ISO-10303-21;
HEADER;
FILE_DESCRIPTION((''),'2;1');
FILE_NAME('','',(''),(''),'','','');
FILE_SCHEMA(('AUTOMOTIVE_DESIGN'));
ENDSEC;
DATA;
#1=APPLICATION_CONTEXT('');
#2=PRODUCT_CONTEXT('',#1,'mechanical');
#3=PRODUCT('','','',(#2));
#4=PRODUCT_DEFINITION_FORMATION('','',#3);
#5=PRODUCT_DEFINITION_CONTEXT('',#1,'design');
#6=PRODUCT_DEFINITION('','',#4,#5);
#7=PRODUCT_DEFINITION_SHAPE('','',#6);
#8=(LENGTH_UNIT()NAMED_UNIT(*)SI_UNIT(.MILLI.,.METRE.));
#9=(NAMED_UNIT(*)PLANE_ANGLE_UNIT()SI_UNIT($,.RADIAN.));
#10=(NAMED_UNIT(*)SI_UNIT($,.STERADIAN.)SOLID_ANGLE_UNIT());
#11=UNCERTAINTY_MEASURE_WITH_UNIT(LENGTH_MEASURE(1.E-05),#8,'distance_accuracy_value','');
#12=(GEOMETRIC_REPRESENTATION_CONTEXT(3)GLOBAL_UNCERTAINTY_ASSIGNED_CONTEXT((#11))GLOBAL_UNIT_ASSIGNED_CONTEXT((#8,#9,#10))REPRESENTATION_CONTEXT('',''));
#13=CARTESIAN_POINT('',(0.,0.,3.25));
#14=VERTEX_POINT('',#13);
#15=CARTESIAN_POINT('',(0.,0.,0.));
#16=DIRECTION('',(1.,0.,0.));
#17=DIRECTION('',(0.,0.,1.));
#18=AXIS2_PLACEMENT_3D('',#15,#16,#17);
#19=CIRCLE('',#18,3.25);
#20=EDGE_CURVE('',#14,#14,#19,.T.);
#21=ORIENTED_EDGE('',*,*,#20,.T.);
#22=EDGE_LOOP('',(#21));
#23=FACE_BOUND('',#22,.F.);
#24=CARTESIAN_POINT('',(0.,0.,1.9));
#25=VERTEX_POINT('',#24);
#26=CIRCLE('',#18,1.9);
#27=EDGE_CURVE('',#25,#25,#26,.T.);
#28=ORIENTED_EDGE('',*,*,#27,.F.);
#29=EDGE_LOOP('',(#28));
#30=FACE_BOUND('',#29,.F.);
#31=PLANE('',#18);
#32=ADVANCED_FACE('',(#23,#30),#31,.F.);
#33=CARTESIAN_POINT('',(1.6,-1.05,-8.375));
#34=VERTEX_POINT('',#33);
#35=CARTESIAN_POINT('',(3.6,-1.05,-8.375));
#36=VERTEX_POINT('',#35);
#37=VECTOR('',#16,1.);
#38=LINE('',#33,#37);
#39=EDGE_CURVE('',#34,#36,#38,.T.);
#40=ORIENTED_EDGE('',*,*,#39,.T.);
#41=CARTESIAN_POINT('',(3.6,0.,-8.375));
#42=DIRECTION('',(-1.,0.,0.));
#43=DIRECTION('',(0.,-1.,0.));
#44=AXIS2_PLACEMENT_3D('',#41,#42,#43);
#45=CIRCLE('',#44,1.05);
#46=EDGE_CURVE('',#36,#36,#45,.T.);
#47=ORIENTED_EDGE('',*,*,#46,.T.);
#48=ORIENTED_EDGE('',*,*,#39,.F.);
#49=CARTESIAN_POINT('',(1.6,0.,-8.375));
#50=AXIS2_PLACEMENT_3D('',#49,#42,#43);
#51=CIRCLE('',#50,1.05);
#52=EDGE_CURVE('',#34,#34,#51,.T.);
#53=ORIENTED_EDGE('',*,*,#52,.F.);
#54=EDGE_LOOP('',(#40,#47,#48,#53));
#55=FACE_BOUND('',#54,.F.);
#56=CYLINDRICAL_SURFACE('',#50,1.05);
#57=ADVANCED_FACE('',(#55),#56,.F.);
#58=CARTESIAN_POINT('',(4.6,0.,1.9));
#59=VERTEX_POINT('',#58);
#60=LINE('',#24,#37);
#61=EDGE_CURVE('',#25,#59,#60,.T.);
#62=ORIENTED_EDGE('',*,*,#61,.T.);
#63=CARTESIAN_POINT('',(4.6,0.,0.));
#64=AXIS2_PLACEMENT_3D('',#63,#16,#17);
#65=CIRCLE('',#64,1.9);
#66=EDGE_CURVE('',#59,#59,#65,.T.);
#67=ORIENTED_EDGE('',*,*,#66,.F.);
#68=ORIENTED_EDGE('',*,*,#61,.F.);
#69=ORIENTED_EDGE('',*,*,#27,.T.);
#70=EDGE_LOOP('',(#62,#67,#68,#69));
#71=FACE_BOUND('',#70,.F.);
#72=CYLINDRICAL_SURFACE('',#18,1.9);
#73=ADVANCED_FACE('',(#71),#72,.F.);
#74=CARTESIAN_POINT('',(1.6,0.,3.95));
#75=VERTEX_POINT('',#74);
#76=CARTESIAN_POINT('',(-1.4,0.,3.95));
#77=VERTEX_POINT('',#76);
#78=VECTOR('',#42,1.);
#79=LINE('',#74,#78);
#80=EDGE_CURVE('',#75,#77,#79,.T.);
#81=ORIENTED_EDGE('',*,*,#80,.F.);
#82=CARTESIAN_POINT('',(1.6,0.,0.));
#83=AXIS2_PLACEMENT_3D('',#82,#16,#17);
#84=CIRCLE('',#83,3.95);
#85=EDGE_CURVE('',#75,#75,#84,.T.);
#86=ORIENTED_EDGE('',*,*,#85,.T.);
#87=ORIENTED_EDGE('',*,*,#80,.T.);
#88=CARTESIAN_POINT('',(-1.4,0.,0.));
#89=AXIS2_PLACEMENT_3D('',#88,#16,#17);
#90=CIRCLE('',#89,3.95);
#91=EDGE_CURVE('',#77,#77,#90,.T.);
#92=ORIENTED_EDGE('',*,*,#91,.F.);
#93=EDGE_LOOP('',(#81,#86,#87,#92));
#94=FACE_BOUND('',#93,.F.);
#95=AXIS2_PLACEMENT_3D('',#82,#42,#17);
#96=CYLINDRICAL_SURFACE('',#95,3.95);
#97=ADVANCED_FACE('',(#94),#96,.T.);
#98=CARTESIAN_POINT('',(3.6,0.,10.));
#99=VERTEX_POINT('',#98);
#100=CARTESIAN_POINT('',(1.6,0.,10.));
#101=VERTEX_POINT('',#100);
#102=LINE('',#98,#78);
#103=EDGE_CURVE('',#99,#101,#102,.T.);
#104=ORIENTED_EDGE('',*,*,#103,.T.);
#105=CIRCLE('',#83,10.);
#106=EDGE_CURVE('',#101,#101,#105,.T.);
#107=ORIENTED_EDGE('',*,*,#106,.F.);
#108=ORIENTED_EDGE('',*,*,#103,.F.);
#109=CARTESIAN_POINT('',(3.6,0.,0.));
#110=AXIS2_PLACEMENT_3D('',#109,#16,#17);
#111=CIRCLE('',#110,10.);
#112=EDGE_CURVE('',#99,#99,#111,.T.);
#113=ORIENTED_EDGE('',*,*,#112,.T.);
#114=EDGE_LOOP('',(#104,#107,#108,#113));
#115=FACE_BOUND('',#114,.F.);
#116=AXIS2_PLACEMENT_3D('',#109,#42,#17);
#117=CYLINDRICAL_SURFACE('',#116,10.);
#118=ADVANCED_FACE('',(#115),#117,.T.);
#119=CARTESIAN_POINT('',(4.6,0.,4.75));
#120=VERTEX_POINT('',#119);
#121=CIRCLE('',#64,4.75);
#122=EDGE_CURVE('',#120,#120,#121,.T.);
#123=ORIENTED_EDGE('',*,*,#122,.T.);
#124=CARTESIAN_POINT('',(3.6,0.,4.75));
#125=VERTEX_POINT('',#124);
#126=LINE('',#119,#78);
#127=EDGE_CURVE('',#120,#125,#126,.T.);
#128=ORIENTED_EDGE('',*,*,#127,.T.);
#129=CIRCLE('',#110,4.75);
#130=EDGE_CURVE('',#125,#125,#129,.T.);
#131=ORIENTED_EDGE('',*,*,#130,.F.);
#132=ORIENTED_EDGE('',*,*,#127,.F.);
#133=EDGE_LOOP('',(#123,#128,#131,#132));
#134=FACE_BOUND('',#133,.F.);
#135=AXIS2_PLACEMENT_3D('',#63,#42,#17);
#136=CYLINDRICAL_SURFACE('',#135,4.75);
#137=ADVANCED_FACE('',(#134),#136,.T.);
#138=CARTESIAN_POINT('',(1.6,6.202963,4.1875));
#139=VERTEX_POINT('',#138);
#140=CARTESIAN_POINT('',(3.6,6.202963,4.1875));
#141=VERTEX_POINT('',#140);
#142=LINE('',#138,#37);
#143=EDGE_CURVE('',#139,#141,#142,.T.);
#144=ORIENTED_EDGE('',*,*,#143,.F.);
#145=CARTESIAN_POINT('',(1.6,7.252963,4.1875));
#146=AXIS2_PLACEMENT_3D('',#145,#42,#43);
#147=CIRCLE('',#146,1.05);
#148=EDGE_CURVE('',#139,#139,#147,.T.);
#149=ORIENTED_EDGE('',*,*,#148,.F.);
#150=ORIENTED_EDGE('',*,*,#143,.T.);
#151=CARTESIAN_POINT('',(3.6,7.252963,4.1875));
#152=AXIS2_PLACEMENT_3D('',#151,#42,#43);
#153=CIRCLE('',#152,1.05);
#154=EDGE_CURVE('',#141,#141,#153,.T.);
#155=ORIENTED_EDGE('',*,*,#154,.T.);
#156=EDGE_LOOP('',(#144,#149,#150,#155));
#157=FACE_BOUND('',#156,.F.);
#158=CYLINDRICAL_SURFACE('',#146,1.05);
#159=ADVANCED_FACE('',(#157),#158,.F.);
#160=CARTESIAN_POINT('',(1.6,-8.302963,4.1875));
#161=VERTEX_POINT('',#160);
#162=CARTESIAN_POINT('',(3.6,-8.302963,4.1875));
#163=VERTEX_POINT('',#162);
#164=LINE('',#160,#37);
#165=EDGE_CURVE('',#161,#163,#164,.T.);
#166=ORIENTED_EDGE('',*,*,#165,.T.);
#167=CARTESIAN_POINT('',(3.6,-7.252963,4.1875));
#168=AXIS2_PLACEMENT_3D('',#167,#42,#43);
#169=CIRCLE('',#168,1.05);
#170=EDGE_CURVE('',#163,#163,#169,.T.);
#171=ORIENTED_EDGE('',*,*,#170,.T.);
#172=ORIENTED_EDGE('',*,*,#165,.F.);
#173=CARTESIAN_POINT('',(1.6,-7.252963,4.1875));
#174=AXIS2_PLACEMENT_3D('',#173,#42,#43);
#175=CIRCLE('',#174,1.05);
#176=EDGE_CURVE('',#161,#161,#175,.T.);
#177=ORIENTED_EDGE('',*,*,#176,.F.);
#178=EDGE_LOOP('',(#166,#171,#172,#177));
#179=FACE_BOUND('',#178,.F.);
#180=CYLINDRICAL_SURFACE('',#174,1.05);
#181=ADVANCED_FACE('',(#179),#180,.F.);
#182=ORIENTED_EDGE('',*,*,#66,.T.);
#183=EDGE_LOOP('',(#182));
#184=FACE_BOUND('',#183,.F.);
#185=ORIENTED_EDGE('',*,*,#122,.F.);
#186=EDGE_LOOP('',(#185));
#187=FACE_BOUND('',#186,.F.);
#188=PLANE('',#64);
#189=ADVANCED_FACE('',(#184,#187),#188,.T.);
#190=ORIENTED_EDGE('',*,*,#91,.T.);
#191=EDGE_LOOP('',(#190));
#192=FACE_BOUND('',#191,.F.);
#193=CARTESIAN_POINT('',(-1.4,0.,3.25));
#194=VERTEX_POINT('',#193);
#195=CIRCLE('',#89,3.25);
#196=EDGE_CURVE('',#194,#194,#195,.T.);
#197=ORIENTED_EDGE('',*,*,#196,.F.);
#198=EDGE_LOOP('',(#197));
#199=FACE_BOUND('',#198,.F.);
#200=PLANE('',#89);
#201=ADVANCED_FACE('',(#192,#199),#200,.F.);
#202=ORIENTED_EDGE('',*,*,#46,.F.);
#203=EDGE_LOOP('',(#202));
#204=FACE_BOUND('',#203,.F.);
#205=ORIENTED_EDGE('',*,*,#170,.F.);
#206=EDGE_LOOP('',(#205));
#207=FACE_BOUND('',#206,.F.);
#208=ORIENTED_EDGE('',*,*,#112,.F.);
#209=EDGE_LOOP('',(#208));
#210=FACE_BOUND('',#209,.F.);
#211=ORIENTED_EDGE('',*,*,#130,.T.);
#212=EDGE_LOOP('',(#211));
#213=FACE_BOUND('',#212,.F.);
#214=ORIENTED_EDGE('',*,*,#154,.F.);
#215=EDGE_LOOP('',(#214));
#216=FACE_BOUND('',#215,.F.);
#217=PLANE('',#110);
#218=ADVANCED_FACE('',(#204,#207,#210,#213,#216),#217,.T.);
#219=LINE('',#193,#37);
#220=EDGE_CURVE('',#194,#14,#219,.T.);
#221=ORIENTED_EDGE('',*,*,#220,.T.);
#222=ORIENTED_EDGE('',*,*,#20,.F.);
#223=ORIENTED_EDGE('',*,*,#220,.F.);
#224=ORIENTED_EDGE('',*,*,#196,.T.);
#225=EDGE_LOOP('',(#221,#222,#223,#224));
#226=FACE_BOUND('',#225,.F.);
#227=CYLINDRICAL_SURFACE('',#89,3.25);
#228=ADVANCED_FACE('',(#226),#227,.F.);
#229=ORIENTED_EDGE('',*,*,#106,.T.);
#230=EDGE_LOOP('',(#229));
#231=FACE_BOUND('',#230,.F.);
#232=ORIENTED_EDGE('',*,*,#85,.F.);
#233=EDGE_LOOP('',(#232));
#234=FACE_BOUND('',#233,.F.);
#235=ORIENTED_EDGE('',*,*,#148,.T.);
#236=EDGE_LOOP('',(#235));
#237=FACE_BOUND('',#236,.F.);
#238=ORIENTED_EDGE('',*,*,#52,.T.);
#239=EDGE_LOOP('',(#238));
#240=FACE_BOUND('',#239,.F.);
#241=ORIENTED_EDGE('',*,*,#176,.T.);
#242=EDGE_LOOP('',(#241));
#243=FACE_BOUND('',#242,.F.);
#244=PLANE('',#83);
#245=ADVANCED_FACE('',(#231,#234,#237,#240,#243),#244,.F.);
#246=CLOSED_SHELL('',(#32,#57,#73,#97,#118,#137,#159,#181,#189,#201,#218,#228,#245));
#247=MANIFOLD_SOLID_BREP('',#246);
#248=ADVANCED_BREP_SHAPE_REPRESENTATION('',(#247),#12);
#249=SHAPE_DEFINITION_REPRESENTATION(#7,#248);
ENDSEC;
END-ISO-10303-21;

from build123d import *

# Parameters (mm, degrees)
F2_R     = 1.05
F3_DEPTH = 3.001


with BuildPart() as f1:
    # F0 (on Front) → F1 (revolve)
    with BuildSketch(Plane.XZ):
        Polygon((0, 1.9), (4.6, 1.9), (4.6, 4.75), (3.6, 4.75), (3.6, 10), (1.6, 10), (1.6, 3.95), (-1.4, 3.95), (-1.4, 3.25), (0, 3.25), align=None)
    revolve(axis=Axis((12.581626, 0, 0), (1, 0, 0)))

    # F2 (on face) → F3 (cut, through all)
    with BuildSketch(Plane(origin=(1.6, 0, 0), x_dir=(0, -1, 0), z_dir=(-1, 0, 0))):
        with Locations((-7.252963, 4.1875)):
            Circle(F2_R)
        with Locations((7.252963, 4.1875)):
            Circle(F2_R)
        with Locations((0, -8.375)):
            Circle(F2_R)
    extrude(amount=-F3_DEPTH, mode=Mode.SUBTRACT)


solid = f1.part
